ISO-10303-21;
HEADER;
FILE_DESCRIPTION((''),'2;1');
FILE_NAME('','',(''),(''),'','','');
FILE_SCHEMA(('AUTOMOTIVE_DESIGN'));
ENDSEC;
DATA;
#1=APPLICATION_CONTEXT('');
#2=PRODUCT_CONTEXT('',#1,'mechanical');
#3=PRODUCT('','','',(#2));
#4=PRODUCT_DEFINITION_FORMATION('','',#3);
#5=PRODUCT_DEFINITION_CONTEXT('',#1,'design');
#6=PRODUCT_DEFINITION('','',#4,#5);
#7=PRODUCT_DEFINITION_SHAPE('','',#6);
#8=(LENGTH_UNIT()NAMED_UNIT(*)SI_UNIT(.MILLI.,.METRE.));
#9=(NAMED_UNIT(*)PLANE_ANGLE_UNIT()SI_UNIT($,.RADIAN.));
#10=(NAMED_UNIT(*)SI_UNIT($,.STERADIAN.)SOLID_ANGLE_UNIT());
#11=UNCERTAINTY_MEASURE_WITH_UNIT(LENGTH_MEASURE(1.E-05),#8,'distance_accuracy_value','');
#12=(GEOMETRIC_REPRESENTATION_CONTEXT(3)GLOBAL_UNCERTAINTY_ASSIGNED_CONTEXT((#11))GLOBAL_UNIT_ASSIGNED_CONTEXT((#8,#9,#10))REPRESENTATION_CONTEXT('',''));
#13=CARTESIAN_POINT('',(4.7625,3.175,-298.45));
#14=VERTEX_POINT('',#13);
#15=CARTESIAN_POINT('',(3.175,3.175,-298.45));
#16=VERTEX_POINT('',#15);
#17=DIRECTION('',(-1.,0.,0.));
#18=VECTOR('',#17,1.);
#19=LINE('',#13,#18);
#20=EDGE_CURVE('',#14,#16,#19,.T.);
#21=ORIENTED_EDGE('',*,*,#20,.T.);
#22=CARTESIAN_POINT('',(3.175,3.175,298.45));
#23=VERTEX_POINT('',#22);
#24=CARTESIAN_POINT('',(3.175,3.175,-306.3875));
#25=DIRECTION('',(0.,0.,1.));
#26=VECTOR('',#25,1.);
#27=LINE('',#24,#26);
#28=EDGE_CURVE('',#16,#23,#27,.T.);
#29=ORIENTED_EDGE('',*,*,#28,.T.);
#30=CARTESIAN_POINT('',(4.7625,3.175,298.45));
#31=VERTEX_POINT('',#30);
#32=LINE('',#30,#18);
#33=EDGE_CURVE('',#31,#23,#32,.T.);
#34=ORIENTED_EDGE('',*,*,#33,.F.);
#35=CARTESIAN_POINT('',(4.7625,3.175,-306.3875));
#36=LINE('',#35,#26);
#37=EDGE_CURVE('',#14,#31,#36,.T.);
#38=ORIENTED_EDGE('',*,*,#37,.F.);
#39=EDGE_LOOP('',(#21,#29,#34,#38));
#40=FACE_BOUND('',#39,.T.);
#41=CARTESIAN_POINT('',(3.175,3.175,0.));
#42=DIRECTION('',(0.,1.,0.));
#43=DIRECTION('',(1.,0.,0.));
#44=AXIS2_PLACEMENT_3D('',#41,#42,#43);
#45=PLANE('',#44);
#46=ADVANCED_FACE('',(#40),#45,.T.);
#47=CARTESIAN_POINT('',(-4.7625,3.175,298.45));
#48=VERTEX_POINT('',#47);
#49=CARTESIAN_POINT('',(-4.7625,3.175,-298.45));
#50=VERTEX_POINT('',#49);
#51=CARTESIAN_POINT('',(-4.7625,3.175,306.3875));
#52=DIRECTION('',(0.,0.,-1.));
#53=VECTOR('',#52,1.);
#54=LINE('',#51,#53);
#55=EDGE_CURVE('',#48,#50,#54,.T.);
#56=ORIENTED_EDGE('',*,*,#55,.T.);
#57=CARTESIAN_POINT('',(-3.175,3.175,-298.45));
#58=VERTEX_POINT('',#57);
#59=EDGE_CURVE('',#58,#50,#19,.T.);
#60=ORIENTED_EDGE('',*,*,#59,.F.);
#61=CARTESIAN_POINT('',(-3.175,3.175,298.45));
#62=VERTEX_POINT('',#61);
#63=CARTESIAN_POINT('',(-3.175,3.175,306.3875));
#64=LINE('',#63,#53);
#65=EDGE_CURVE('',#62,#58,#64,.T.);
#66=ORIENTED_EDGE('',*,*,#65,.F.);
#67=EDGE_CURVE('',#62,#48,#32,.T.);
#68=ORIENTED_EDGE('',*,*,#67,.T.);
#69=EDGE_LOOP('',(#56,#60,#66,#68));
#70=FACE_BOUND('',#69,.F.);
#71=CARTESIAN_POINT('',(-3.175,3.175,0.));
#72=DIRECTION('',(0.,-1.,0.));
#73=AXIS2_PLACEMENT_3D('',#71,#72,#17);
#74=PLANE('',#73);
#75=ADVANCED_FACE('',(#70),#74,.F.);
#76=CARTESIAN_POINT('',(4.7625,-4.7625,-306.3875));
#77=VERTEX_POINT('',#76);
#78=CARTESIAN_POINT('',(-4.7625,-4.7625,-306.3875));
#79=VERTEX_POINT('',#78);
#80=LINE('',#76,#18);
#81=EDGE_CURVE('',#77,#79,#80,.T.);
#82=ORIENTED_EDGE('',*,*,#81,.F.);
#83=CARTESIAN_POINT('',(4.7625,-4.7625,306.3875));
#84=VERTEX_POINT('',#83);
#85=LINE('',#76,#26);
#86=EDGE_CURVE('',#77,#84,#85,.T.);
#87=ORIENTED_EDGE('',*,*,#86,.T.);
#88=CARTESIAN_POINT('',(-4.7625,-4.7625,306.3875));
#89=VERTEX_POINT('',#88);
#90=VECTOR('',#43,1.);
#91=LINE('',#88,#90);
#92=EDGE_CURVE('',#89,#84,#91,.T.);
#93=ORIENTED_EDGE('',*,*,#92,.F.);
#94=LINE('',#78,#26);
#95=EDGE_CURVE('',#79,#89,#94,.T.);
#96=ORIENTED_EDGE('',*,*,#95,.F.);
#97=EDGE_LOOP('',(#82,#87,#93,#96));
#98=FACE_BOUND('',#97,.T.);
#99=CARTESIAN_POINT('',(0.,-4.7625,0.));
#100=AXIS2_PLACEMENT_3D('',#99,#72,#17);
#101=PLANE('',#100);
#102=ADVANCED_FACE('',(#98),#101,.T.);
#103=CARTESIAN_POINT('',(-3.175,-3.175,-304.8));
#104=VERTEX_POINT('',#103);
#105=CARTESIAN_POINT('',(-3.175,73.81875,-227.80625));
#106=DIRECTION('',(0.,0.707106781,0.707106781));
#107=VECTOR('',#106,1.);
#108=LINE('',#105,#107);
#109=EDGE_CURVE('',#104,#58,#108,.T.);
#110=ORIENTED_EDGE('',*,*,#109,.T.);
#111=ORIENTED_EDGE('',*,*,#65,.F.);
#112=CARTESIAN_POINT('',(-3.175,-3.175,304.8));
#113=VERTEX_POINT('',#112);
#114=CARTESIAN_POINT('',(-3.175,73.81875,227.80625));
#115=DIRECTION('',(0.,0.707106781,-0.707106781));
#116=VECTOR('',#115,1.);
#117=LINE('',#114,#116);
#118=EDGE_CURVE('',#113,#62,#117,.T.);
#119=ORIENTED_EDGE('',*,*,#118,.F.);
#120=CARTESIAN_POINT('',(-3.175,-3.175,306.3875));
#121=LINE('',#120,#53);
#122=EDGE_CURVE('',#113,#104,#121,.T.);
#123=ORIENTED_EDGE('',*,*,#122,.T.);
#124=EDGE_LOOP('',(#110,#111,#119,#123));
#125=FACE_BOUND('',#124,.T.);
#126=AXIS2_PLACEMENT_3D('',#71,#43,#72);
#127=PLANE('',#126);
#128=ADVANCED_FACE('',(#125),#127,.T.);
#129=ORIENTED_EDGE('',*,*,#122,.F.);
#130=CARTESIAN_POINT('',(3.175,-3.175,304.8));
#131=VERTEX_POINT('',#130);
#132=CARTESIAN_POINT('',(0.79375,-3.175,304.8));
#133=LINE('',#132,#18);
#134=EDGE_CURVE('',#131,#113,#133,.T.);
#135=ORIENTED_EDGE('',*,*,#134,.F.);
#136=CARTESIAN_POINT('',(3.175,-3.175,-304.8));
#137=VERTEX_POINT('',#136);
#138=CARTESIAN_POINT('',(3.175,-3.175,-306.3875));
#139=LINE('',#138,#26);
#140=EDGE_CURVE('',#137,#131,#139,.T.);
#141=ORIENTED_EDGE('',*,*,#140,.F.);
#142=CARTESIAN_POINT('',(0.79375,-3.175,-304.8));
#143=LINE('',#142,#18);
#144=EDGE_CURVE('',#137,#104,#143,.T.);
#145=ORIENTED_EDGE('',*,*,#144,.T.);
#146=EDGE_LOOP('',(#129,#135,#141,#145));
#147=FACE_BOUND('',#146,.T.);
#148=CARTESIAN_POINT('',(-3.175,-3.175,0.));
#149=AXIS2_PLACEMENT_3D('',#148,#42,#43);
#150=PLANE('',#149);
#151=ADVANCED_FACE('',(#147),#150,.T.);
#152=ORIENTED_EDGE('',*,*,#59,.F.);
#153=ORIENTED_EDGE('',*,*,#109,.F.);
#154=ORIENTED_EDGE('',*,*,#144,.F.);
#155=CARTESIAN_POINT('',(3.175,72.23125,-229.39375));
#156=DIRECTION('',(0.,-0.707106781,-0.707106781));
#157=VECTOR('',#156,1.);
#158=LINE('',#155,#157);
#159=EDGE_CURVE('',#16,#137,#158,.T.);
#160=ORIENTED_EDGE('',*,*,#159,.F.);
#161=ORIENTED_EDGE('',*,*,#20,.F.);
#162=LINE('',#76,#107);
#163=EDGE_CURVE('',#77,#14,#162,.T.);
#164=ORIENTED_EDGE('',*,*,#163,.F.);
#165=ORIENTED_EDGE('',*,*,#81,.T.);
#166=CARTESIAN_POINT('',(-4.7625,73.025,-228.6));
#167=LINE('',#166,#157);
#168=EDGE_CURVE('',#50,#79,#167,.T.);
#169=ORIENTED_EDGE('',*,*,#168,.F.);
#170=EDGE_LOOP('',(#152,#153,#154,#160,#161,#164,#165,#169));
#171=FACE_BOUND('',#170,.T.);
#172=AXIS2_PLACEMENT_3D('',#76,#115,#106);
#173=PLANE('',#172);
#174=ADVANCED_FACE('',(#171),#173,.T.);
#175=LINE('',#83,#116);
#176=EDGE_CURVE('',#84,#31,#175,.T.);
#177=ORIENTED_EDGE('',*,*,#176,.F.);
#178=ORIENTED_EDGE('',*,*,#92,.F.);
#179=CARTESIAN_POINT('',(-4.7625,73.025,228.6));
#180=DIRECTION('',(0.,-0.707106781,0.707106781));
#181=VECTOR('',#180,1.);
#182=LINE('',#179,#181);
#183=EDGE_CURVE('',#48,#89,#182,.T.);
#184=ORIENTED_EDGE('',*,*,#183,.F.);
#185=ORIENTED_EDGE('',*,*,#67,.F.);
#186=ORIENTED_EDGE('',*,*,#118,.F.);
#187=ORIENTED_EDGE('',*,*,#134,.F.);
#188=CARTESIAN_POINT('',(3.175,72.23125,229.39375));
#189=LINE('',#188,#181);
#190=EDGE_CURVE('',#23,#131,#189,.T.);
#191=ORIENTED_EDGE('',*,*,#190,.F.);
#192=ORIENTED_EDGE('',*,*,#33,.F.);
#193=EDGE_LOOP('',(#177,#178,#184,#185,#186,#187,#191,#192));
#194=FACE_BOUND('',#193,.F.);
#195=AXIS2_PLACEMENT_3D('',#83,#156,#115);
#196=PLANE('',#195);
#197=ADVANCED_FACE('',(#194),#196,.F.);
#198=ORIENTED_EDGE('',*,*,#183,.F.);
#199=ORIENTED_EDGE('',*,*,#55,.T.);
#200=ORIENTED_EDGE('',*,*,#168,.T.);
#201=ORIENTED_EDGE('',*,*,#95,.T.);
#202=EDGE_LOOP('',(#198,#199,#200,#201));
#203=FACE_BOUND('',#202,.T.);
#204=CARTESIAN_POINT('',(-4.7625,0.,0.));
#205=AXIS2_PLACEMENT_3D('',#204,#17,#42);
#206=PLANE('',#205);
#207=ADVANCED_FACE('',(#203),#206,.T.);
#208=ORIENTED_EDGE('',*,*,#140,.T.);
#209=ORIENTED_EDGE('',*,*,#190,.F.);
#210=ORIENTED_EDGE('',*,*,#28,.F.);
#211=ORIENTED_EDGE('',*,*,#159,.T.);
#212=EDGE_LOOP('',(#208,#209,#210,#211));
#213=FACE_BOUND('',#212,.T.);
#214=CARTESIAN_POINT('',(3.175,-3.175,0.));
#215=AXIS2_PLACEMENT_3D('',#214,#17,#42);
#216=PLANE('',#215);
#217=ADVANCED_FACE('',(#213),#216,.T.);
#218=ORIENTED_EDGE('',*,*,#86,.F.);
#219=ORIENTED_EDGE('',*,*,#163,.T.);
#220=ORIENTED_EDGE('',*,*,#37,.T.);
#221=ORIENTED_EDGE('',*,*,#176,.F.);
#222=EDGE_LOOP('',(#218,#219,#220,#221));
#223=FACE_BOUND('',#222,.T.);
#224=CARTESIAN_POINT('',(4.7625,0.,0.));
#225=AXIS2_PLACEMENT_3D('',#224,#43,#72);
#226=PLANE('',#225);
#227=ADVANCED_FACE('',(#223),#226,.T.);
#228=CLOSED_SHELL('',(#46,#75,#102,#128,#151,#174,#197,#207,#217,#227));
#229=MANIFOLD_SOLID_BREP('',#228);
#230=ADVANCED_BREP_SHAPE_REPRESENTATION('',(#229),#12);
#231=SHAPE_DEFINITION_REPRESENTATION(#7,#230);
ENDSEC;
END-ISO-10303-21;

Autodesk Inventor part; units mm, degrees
ref_plane "YZ Plane" through (0, 0, 0) normal (1, 0, 0) x (0, 1, 0)
ref_plane "XZ Plane" through (0, 0, 0) normal (0, 1, 0) x (-1, 0, 0)
ref_plane "XY Plane" through (0, 0, 0) normal (0, 0, 1) x (1, 0, 0)
sketch "Sketch1" plane through (0, 0, 0) normal (0, 0, 1) x (1, 0, 0)
  line L0 (-6.6675, 0) -> (6.6675, 0) projected
  line L1 (0, -6.35) -> (0, 4.7625) projected
  line L2 (-3.175, 3.175) -> (-3.175, -3.175)
  line L3 (-3.175, -3.175) -> (3.175, -3.175)
  line L4 (3.175, -3.175) -> (3.175, 3.175)
  line L5 (4.7625, 3.175) -> (4.7625, -4.7625)
  line L6 (4.7625, -4.7625) -> (-4.7625, -4.7625)
  line L7 (-4.7625, -4.7625) -> (-4.7625, 3.175)
  line L8 (-3.175, 3.175) -> (-4.7625, 3.175)
  line L9 (3.175, 3.175) -> (4.7625, 3.175)
  point P0 (0, 0)
  point P1 (0, -3.175)
  point P2 (-3.175, 0)
  dimension "d0" = 1.5875
  dimension "d1" = 6.35
  dimension "d2" = 6.35
extrude "Extrusion1" add sketch "Sketch1" along normal mid plane 612.775 contours L7 L8 L2 L0 | L0 L2 L3 L1 L6 L7 | L1 L3 L4 L0 L5 L6 | L4 L9 L5 L0
sketch "Sketch2" plane through (4.7625, -4.7625, 306.3875) normal (1, 0, 0) x (0, 0, -1)
  line L0 (0, 7.9375) -> (0, 0) projected
  line L1 (0, 0) -> (612.775, 0) projected
  line L2 (0, 7.9375) -> (612.775, 7.9375) projected
  line L3 (0, 0) -> (7.9375, 7.9375)
  line L4 (7.9375, 7.9375) -> (0, 7.9375)
  line L5 (0, 7.9375) -> (0, 0)
  line L6 (306.3875, 0) -> (306.3875, 7.9375) construction
  line L7 (612.775, 7.9375) -> (612.775, 0)
  line L8 (612.775, 0) -> (604.8375, 7.9375)
  line L9 (612.775, 7.9375) -> (604.8375, 7.9375)
  line L10 (7.9375, 7.9375) -> (0, 7.9375)
  point P0 (306.3875, 4.7625)
  dimension "d5" = 45
extrude "Extrusion2" cut sketch "Sketch2" against normal through all contours L2 L3 L0 | L8 L2 L7
properties part number "c-channel template" material "Aluminum-6061"
